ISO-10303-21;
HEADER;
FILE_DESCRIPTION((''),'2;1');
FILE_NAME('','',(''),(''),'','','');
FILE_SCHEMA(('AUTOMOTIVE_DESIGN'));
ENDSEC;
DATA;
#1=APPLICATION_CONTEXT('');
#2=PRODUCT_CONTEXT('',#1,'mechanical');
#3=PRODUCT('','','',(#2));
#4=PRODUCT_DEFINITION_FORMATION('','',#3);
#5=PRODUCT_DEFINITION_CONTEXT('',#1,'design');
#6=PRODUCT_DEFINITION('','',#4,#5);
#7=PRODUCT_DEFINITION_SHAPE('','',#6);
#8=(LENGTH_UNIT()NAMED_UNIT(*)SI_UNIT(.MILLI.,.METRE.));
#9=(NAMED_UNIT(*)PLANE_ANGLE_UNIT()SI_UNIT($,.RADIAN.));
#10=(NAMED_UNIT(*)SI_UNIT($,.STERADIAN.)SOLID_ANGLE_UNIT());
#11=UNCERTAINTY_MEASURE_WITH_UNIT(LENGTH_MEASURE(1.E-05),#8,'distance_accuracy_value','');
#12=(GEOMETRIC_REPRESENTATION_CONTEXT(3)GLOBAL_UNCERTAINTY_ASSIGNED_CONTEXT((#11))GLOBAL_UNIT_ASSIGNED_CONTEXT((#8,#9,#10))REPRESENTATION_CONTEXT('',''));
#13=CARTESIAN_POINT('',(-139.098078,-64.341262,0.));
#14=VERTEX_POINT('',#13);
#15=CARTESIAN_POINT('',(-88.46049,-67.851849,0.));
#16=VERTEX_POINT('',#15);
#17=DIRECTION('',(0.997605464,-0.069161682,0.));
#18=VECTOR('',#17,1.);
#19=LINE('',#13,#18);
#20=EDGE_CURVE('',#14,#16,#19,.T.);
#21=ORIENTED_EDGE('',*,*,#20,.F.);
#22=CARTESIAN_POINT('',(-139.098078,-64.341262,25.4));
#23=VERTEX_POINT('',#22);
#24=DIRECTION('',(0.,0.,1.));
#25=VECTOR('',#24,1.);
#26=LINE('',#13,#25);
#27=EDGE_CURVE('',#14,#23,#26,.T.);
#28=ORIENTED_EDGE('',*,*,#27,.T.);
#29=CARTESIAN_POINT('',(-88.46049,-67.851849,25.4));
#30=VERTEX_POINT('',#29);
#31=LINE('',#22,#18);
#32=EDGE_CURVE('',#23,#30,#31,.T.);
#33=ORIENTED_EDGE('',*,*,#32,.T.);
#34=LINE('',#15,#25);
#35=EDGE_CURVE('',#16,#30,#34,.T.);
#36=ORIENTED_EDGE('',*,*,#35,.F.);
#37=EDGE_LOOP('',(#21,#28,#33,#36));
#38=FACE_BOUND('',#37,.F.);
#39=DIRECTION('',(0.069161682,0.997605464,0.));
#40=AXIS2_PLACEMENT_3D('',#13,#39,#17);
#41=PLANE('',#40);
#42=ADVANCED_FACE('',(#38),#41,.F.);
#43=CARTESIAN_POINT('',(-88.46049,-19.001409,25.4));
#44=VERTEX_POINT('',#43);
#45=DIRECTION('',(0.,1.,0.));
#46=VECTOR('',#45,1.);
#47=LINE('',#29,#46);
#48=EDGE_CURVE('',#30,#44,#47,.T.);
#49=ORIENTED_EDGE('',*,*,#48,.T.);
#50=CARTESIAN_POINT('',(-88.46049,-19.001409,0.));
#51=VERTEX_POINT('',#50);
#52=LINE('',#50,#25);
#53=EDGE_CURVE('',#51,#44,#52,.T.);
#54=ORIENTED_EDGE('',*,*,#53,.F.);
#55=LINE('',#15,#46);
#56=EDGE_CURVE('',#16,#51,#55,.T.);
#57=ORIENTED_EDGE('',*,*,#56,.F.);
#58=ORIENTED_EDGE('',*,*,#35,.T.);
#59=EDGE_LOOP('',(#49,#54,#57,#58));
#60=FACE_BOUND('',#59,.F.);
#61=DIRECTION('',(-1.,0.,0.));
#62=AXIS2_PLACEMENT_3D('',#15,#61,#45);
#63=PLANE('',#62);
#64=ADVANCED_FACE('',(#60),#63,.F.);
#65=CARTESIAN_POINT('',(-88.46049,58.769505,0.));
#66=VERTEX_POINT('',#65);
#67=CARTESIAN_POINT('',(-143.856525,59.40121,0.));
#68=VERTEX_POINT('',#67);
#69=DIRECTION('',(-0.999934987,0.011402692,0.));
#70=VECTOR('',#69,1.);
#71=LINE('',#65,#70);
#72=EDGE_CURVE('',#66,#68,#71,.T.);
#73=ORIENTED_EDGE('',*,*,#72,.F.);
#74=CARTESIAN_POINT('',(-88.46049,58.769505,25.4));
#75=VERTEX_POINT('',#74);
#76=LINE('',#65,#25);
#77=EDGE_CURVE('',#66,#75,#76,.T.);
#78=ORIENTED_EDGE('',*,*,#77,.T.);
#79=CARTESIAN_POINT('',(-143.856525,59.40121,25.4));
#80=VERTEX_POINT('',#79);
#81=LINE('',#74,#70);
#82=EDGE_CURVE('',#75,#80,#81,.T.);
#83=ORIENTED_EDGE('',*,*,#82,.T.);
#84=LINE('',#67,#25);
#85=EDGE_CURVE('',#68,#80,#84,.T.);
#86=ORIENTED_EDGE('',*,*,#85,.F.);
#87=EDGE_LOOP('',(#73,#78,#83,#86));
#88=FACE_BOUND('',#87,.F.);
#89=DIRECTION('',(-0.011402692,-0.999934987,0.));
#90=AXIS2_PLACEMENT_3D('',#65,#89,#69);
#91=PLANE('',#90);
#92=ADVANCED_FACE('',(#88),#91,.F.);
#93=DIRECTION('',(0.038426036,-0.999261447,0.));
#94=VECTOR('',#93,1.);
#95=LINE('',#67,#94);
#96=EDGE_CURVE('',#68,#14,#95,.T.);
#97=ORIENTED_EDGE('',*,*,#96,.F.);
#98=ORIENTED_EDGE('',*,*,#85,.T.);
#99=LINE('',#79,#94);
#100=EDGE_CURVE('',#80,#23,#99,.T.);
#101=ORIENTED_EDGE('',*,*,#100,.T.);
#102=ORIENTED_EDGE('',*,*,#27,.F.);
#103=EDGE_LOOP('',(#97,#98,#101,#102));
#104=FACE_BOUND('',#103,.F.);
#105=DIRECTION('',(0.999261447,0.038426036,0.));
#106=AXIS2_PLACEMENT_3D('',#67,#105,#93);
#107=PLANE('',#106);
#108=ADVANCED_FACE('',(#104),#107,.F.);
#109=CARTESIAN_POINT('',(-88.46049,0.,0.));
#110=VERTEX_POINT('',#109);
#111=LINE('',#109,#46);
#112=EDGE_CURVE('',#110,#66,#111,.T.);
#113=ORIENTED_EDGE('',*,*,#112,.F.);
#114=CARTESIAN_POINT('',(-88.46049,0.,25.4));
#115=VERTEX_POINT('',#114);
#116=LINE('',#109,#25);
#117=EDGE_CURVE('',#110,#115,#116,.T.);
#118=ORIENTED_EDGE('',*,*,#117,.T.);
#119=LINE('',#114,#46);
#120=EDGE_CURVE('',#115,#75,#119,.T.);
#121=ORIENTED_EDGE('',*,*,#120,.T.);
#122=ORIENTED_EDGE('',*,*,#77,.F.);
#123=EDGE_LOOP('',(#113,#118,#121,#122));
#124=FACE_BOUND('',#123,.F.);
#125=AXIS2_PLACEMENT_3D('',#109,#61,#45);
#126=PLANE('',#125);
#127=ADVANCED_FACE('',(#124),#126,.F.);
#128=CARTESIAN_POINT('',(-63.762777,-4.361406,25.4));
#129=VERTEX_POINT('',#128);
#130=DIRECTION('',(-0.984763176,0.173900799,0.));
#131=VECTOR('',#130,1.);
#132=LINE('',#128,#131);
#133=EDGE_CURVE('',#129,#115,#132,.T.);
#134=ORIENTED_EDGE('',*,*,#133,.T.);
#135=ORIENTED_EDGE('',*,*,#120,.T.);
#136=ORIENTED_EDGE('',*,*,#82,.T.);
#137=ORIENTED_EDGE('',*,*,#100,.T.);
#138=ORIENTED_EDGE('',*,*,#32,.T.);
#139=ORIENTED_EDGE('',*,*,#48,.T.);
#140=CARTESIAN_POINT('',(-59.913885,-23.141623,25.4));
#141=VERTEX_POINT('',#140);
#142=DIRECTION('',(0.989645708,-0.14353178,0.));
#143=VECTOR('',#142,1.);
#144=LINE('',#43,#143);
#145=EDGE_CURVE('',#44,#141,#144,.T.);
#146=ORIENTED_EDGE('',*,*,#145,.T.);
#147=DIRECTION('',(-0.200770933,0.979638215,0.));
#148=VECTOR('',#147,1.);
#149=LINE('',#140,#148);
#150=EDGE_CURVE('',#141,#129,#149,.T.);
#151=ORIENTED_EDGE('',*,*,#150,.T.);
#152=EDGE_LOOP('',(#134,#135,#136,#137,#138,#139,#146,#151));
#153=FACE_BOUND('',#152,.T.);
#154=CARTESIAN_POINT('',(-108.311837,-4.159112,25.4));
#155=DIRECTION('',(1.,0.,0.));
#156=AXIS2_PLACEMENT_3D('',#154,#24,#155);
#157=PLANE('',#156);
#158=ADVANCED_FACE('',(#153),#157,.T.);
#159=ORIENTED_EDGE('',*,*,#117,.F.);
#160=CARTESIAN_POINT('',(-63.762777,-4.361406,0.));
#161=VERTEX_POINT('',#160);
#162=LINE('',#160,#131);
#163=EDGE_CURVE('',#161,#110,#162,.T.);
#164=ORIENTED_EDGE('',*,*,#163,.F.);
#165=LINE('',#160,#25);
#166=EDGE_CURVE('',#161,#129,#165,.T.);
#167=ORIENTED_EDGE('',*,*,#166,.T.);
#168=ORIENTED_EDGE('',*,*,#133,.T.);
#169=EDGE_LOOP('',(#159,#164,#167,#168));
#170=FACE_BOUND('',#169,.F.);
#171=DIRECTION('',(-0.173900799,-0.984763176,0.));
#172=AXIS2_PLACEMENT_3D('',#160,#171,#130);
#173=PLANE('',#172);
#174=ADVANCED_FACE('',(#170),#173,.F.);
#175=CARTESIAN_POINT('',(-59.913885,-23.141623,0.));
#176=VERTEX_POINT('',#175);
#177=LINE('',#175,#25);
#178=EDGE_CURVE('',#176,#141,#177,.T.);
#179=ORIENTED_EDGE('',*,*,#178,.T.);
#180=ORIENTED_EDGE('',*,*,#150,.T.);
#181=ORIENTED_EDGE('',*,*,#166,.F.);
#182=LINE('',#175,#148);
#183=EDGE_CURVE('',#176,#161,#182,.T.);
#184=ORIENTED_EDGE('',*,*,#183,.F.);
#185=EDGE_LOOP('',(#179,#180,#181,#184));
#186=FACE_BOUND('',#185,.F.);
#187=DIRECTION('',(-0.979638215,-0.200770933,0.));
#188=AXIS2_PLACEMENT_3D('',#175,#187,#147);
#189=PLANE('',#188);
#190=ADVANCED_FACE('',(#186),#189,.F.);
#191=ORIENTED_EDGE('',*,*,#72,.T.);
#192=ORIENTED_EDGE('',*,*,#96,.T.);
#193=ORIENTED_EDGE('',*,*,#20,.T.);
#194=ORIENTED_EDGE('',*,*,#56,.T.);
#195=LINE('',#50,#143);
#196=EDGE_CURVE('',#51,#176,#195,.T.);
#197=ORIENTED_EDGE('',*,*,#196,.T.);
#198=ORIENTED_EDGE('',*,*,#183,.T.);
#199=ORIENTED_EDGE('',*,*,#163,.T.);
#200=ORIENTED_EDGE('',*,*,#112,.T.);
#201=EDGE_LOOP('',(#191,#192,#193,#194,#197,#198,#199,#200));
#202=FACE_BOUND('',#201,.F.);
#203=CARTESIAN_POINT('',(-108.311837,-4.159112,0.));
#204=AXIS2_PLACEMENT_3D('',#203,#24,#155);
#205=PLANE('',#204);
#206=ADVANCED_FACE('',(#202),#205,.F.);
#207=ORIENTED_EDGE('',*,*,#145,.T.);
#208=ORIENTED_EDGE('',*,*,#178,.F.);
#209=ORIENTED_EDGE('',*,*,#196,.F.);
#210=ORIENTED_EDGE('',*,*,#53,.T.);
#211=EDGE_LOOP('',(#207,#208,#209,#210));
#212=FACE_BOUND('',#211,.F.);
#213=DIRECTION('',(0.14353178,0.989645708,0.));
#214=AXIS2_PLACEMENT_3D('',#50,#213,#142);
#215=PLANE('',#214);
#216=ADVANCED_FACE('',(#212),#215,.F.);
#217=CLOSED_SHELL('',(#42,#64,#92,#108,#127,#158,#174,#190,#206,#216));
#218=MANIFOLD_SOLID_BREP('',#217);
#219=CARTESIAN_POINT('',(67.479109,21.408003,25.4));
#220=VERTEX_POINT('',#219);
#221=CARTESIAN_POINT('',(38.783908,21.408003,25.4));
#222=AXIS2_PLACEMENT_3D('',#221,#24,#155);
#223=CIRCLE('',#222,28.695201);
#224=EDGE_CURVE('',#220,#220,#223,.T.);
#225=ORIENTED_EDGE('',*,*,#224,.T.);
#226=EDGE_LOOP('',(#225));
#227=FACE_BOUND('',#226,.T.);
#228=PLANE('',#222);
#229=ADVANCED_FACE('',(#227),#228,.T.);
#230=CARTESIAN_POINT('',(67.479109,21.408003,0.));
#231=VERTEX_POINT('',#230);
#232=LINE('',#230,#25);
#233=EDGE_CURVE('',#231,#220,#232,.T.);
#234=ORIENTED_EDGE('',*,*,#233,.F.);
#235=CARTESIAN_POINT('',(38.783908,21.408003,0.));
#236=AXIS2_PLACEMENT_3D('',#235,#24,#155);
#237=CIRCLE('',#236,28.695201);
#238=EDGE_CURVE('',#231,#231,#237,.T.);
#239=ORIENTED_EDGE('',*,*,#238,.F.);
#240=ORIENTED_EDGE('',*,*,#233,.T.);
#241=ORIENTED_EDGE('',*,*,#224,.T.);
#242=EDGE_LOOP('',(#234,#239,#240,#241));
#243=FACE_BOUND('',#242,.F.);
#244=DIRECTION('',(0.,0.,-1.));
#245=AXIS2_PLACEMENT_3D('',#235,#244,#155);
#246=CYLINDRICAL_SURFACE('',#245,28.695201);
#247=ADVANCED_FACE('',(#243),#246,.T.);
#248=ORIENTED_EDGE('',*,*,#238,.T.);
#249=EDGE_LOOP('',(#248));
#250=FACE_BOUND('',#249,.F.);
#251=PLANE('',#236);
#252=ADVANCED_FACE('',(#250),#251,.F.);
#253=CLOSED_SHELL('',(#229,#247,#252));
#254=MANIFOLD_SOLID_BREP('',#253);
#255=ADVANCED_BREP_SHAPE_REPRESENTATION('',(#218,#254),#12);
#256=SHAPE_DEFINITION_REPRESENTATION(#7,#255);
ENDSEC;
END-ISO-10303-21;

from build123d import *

# Parameters (mm, degrees)
F1_DEPTH = 25.4
F2_R     = 28.695201
F3_DEPTH = 25.4


with BuildPart() as f1:
    # F0 (on Top) → F1 (new body)
    with BuildSketch(Plane.XY):
        Polygon((-88.46049, 58.769505), (-143.856525, 59.40121), (-139.098078, -64.341262), (-88.46049, -67.851849), (-88.46049, -19.001409), (-59.913885, -23.141623), (-63.762777, -4.361406), (-88.46049, 0), align=None)
    extrude(amount=F1_DEPTH)


with BuildPart() as f3:
    # F2 (on Top) → F3 (new body)
    with BuildSketch(Plane.XY):
        with Locations((38.783908, 21.408003)):
            Circle(F2_R)
    extrude(amount=F3_DEPTH)


solid = Compound([f1.part, f3.part])
